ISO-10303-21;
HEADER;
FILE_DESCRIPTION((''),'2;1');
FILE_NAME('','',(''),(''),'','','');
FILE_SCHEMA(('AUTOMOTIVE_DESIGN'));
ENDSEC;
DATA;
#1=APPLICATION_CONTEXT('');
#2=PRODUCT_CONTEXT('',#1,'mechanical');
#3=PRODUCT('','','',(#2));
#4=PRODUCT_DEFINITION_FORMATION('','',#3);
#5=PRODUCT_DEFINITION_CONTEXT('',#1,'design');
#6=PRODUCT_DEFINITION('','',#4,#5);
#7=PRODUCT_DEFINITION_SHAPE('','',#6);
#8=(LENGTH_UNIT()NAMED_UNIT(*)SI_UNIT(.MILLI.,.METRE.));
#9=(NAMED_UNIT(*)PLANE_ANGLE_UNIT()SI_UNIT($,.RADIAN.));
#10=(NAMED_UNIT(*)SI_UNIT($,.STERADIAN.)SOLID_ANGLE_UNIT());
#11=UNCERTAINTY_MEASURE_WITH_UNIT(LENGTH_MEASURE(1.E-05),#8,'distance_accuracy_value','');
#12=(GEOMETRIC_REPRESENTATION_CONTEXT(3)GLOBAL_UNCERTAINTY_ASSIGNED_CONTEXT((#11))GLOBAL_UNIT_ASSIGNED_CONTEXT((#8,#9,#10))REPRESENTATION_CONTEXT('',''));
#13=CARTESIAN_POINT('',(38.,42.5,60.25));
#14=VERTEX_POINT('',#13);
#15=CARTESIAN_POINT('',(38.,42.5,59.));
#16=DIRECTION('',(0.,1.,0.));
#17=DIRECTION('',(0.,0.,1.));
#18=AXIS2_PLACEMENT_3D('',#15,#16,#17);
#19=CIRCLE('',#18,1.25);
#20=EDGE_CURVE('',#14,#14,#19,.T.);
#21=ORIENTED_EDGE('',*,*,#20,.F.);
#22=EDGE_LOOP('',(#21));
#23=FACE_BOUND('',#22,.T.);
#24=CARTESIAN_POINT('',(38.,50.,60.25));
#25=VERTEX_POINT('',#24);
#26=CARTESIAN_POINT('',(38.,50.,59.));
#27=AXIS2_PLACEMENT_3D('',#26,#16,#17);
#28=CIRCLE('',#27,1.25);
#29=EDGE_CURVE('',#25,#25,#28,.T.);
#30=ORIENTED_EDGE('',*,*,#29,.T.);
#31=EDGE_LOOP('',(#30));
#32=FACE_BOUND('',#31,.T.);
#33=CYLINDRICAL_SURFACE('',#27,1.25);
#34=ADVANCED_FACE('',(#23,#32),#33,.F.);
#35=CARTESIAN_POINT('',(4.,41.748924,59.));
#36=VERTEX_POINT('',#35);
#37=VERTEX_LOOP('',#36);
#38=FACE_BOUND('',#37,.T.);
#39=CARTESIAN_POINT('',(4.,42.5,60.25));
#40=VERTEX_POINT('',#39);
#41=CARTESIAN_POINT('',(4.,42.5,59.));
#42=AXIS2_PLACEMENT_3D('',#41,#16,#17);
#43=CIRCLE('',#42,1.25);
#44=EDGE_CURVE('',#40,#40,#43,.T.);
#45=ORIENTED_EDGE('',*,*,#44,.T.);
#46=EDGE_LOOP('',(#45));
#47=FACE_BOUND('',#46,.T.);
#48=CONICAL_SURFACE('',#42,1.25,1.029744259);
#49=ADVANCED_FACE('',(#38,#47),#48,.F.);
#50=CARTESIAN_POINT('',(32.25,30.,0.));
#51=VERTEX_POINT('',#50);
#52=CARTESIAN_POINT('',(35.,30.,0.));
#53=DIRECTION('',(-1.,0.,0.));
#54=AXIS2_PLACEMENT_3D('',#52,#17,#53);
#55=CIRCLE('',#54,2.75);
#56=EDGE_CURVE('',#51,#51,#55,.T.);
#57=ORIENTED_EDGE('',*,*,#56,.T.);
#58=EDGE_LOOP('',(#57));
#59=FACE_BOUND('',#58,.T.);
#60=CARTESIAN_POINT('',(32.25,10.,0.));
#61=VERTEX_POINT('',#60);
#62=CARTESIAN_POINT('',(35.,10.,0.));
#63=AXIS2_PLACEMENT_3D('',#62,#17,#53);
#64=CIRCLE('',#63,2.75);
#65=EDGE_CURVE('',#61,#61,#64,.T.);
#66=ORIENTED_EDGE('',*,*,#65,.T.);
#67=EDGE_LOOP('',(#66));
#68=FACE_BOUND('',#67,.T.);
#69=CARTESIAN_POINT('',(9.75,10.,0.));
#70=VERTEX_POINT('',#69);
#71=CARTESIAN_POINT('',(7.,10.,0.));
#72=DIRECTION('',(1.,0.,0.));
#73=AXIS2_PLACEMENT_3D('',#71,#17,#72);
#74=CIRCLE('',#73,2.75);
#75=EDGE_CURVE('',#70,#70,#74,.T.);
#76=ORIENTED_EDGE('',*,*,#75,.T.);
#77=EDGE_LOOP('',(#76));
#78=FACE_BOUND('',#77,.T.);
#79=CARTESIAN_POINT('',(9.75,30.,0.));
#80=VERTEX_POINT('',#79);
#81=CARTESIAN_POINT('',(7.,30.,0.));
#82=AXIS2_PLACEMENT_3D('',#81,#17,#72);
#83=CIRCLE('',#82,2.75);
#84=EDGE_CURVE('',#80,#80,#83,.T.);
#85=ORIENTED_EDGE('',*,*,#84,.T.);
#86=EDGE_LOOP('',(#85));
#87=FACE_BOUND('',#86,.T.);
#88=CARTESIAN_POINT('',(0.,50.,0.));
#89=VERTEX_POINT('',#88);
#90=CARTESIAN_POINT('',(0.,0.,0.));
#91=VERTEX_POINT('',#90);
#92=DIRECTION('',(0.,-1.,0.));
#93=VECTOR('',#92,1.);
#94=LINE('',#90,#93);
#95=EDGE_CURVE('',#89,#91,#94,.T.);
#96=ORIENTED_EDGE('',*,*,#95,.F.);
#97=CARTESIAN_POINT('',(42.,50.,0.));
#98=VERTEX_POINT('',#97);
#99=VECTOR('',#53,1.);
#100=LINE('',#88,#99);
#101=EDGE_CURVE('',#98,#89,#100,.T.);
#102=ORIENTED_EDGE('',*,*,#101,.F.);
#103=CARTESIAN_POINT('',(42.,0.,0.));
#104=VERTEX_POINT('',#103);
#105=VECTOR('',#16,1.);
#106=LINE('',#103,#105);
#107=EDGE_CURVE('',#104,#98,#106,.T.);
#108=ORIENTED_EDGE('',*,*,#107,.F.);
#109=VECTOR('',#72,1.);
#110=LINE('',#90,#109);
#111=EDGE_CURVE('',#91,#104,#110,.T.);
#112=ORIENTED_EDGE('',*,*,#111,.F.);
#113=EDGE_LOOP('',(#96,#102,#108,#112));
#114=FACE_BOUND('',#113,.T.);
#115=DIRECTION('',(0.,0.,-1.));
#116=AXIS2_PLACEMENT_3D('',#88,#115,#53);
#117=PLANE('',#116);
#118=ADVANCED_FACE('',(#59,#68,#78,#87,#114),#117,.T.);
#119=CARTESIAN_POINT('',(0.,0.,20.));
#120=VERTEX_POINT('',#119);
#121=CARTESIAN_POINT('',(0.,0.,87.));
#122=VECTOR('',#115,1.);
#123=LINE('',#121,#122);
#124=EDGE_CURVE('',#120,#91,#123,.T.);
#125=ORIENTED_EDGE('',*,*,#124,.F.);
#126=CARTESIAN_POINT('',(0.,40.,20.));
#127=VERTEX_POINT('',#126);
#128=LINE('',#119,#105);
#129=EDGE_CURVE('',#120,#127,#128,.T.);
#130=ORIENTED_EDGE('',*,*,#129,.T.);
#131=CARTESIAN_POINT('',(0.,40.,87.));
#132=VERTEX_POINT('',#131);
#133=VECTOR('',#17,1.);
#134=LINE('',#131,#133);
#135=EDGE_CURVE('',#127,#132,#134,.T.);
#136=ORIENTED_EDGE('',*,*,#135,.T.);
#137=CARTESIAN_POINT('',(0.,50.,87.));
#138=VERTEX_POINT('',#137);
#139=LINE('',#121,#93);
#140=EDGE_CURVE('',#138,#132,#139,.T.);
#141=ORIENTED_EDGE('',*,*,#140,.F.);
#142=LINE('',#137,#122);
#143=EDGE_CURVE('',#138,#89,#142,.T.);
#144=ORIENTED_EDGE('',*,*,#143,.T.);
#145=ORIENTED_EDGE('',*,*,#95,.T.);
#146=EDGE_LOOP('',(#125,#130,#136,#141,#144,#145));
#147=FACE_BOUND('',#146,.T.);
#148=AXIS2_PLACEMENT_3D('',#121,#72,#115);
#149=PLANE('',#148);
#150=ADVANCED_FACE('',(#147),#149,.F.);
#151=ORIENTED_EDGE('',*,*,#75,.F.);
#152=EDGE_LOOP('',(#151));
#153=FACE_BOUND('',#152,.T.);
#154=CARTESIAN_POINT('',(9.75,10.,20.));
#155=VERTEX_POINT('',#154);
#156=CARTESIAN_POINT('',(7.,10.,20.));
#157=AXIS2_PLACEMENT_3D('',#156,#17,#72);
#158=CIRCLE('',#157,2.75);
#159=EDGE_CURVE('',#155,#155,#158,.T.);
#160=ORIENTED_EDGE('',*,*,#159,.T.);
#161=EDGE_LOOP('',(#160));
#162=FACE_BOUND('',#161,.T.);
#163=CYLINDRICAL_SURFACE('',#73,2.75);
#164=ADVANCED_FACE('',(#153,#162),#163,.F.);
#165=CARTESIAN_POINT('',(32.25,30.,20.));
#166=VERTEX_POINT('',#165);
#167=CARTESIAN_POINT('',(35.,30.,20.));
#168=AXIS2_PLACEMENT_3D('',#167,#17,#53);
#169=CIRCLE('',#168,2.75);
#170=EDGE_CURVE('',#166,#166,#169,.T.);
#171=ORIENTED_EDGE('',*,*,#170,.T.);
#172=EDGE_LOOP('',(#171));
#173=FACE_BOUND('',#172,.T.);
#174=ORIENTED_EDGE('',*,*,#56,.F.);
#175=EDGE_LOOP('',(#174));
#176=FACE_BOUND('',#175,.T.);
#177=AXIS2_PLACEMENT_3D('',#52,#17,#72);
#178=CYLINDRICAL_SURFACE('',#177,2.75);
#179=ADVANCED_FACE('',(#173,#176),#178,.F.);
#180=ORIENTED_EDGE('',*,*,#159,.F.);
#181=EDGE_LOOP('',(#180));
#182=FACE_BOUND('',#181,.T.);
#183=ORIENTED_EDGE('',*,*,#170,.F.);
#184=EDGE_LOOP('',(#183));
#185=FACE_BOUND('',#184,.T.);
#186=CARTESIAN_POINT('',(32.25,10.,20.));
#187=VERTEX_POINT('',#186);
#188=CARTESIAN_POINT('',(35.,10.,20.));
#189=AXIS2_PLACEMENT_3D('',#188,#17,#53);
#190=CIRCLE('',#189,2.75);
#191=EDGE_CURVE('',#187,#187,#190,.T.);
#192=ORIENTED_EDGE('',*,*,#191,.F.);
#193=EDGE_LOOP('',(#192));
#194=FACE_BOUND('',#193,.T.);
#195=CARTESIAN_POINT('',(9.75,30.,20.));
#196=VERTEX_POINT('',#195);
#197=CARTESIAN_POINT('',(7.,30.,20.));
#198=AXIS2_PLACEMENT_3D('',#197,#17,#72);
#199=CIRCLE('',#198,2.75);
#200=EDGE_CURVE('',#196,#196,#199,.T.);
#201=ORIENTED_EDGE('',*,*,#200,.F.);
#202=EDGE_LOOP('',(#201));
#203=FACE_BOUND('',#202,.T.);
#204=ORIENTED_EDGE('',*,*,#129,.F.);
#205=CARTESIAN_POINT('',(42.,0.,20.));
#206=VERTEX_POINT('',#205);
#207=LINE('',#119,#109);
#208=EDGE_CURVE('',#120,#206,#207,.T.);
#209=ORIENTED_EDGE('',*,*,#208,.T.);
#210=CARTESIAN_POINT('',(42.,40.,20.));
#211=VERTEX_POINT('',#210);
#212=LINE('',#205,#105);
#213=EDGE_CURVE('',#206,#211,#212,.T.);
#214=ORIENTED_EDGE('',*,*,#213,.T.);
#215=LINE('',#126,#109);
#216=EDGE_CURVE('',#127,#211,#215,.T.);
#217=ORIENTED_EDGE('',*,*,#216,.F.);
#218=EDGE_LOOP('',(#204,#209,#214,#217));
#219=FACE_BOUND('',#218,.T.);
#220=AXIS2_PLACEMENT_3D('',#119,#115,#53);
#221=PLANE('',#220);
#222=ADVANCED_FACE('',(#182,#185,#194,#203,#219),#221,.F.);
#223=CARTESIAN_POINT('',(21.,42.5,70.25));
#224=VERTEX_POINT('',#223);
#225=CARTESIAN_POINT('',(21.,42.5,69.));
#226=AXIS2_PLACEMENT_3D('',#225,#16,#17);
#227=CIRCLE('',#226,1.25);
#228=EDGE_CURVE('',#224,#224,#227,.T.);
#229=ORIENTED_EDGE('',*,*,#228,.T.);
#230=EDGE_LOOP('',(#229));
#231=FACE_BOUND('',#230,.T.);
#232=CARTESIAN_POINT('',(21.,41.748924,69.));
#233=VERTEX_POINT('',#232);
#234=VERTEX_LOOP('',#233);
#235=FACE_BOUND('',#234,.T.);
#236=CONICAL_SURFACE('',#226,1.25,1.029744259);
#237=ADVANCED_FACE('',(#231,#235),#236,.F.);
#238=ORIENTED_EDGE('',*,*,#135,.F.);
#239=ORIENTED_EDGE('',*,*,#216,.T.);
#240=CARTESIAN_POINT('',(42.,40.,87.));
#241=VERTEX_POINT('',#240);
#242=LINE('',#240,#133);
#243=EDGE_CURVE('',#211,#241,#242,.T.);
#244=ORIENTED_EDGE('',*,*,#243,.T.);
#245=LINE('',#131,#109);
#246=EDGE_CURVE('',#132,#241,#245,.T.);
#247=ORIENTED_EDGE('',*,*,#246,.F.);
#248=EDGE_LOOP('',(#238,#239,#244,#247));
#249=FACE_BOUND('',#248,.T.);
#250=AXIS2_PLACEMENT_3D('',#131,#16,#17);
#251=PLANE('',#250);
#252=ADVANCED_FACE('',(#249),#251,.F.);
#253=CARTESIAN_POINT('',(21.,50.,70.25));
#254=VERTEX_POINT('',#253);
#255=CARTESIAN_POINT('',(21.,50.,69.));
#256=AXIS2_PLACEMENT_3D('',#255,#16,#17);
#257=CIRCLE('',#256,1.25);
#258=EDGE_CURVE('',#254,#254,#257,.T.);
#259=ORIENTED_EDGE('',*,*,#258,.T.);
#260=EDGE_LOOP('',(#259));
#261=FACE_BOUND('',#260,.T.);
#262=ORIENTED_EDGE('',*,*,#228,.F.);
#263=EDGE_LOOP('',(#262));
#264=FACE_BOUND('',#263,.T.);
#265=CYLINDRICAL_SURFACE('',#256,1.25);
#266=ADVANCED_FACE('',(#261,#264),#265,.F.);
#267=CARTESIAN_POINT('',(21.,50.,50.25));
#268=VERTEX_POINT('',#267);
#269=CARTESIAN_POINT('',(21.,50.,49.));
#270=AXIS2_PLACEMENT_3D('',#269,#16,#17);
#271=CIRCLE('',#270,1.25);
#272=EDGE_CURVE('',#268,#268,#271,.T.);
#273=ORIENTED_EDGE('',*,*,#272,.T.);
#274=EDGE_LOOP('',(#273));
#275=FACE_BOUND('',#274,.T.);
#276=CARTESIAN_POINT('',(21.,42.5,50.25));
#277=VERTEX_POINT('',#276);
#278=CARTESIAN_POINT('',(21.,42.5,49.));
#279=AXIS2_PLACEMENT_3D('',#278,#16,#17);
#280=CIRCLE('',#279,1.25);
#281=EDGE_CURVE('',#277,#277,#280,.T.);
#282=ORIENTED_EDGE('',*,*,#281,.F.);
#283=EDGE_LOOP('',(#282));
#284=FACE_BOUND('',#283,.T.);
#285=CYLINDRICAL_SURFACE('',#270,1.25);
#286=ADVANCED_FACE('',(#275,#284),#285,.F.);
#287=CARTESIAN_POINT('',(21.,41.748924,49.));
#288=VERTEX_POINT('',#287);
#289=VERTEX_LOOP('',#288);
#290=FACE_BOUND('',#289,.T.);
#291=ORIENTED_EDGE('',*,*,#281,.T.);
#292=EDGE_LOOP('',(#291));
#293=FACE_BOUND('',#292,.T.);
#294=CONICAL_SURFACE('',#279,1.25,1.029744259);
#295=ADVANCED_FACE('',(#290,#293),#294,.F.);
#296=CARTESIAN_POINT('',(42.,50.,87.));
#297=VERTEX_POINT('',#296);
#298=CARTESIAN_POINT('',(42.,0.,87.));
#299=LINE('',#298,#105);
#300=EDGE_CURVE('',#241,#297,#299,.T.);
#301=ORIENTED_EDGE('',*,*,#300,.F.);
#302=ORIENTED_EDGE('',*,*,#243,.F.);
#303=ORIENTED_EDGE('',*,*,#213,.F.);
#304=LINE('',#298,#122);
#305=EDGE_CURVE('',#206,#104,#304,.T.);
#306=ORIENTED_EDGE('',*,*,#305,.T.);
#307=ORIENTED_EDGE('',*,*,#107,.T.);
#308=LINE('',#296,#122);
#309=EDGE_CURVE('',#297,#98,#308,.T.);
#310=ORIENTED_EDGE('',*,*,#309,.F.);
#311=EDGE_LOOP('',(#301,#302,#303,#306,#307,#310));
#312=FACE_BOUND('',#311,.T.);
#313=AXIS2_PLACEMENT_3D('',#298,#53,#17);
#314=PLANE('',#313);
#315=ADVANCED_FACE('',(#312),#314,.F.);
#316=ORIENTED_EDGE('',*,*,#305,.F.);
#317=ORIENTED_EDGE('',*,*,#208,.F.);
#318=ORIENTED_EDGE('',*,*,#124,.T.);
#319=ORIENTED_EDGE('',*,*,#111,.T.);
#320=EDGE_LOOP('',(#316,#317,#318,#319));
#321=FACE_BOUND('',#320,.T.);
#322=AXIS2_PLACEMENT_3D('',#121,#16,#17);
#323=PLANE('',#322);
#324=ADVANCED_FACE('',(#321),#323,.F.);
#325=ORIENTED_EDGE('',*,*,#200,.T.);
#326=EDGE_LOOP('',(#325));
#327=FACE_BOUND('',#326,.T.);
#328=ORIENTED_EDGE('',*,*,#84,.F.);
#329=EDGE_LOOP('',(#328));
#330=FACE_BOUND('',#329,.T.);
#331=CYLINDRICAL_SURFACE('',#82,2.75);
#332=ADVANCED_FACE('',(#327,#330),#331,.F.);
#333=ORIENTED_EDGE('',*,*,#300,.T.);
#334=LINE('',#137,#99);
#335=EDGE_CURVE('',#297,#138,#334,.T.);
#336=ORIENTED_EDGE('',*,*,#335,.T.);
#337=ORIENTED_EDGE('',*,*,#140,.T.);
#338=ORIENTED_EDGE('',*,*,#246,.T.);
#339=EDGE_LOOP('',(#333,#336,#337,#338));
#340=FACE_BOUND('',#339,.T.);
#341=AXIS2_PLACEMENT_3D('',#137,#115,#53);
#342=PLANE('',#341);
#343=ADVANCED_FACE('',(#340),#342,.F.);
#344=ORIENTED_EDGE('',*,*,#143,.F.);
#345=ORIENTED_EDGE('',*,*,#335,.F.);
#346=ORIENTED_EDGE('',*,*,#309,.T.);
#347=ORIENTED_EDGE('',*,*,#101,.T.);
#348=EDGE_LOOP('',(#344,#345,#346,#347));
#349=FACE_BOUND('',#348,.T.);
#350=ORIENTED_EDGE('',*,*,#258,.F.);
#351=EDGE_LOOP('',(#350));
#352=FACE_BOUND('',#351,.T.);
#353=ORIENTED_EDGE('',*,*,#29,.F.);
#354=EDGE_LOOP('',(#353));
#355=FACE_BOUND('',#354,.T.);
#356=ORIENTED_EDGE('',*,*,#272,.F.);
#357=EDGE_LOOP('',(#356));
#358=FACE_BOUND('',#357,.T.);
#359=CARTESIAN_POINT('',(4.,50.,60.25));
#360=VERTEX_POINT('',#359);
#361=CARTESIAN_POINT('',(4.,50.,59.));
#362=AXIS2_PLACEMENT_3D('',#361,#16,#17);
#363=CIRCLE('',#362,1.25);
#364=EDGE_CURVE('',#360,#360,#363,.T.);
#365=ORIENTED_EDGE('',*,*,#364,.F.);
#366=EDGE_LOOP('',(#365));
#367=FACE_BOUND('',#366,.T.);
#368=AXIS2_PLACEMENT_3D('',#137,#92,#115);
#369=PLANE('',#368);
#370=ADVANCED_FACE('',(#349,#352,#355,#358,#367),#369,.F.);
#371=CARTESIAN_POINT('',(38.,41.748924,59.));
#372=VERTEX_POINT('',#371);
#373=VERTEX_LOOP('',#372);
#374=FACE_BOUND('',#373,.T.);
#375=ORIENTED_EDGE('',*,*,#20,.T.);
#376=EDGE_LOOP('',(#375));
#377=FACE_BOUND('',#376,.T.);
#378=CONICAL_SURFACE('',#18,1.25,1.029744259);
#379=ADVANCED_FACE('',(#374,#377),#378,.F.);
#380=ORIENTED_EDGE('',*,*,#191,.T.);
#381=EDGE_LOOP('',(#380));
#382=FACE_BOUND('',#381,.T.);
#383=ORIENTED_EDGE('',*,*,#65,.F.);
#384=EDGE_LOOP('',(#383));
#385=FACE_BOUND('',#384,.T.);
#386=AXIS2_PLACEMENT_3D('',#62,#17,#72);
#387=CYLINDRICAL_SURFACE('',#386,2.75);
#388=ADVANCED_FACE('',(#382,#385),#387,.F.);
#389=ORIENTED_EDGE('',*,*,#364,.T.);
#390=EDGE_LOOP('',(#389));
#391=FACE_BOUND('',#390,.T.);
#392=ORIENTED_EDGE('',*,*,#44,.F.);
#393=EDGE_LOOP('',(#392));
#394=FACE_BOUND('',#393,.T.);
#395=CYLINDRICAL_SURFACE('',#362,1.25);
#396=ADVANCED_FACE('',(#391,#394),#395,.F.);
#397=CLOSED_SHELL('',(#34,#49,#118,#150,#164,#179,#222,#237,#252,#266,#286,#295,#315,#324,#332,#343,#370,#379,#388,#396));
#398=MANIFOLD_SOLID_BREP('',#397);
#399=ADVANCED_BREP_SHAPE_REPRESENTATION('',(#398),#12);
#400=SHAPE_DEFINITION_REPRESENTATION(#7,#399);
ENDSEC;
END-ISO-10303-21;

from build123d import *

# Parameters (mm, degrees)
SKETCH_1_W             = 42
SKETCH_1_H             = 50
EXTRUDE_1_DEPTH        = 87
SKETCH_2_W             = 67
SKETCH_2_H             = 40
CUT_EXTRUDE_1_DEPTH    = 109.779593675
SKETCH_3_R             = 2.75
CUT_EXTRUDE_2_DEPTH    = 94.55746897
HOLE_WIZARD_M3_1_D     = 2.5
HOLE_WIZARD_M3_1_DEPTH = 7.5
HOLE_WIZARD_M3_1_TIP   = 0.751075774


with BuildPart() as part:
    # 草图1 → 凸台-拉伸1 (new body)
    with BuildSketch(Plane.XY):
        with Locations((21, 25)):
            Rectangle(SKETCH_1_W, SKETCH_1_H)
    extrude(amount=EXTRUDE_1_DEPTH)

    # 草图2 → 切除-拉伸1 (cut, through all)
    with BuildSketch(Plane(origin=(42, 0, 0), x_dir=(0, 0, -1), z_dir=(1, 0, 0))):
        with Locations((-53.5, 20)):
            Rectangle(SKETCH_2_W, SKETCH_2_H)
    extrude(amount=-CUT_EXTRUDE_1_DEPTH, mode=Mode.SUBTRACT)

    # 草图3 → 切除-拉伸2 (cut, through all)
    with BuildSketch(Plane.XY.offset(20)):
        with Locations((7, 30)):
            Circle(SKETCH_3_R)
        with Locations((7, 10)):
            Circle(SKETCH_3_R)
        with Locations(Location((35, 10, 0), (0, 0, 180))):
            Circle(SKETCH_3_R)
        with Locations(Location((35, 30, 0), (0, 0, 180))):
            Circle(SKETCH_3_R)
    extrude(amount=-CUT_EXTRUDE_2_DEPTH, mode=Mode.SUBTRACT)

    # M3 螺纹孔1
    with Locations(Plane(origin=(0, 50, 0), x_dir=(-1, 0, 0), z_dir=(0, 1, 0))):
        with Locations((-4, 59), (-21, 49), (-38, 59), (-21, 69)):
            Hole(HOLE_WIZARD_M3_1_D / 2, depth=HOLE_WIZARD_M3_1_DEPTH)
            with Locations((0, 0, -(HOLE_WIZARD_M3_1_DEPTH + HOLE_WIZARD_M3_1_TIP / 2))):  # 118° drill point
                Cone(0, HOLE_WIZARD_M3_1_D / 2, HOLE_WIZARD_M3_1_TIP, mode=Mode.SUBTRACT)


solid = part.part
